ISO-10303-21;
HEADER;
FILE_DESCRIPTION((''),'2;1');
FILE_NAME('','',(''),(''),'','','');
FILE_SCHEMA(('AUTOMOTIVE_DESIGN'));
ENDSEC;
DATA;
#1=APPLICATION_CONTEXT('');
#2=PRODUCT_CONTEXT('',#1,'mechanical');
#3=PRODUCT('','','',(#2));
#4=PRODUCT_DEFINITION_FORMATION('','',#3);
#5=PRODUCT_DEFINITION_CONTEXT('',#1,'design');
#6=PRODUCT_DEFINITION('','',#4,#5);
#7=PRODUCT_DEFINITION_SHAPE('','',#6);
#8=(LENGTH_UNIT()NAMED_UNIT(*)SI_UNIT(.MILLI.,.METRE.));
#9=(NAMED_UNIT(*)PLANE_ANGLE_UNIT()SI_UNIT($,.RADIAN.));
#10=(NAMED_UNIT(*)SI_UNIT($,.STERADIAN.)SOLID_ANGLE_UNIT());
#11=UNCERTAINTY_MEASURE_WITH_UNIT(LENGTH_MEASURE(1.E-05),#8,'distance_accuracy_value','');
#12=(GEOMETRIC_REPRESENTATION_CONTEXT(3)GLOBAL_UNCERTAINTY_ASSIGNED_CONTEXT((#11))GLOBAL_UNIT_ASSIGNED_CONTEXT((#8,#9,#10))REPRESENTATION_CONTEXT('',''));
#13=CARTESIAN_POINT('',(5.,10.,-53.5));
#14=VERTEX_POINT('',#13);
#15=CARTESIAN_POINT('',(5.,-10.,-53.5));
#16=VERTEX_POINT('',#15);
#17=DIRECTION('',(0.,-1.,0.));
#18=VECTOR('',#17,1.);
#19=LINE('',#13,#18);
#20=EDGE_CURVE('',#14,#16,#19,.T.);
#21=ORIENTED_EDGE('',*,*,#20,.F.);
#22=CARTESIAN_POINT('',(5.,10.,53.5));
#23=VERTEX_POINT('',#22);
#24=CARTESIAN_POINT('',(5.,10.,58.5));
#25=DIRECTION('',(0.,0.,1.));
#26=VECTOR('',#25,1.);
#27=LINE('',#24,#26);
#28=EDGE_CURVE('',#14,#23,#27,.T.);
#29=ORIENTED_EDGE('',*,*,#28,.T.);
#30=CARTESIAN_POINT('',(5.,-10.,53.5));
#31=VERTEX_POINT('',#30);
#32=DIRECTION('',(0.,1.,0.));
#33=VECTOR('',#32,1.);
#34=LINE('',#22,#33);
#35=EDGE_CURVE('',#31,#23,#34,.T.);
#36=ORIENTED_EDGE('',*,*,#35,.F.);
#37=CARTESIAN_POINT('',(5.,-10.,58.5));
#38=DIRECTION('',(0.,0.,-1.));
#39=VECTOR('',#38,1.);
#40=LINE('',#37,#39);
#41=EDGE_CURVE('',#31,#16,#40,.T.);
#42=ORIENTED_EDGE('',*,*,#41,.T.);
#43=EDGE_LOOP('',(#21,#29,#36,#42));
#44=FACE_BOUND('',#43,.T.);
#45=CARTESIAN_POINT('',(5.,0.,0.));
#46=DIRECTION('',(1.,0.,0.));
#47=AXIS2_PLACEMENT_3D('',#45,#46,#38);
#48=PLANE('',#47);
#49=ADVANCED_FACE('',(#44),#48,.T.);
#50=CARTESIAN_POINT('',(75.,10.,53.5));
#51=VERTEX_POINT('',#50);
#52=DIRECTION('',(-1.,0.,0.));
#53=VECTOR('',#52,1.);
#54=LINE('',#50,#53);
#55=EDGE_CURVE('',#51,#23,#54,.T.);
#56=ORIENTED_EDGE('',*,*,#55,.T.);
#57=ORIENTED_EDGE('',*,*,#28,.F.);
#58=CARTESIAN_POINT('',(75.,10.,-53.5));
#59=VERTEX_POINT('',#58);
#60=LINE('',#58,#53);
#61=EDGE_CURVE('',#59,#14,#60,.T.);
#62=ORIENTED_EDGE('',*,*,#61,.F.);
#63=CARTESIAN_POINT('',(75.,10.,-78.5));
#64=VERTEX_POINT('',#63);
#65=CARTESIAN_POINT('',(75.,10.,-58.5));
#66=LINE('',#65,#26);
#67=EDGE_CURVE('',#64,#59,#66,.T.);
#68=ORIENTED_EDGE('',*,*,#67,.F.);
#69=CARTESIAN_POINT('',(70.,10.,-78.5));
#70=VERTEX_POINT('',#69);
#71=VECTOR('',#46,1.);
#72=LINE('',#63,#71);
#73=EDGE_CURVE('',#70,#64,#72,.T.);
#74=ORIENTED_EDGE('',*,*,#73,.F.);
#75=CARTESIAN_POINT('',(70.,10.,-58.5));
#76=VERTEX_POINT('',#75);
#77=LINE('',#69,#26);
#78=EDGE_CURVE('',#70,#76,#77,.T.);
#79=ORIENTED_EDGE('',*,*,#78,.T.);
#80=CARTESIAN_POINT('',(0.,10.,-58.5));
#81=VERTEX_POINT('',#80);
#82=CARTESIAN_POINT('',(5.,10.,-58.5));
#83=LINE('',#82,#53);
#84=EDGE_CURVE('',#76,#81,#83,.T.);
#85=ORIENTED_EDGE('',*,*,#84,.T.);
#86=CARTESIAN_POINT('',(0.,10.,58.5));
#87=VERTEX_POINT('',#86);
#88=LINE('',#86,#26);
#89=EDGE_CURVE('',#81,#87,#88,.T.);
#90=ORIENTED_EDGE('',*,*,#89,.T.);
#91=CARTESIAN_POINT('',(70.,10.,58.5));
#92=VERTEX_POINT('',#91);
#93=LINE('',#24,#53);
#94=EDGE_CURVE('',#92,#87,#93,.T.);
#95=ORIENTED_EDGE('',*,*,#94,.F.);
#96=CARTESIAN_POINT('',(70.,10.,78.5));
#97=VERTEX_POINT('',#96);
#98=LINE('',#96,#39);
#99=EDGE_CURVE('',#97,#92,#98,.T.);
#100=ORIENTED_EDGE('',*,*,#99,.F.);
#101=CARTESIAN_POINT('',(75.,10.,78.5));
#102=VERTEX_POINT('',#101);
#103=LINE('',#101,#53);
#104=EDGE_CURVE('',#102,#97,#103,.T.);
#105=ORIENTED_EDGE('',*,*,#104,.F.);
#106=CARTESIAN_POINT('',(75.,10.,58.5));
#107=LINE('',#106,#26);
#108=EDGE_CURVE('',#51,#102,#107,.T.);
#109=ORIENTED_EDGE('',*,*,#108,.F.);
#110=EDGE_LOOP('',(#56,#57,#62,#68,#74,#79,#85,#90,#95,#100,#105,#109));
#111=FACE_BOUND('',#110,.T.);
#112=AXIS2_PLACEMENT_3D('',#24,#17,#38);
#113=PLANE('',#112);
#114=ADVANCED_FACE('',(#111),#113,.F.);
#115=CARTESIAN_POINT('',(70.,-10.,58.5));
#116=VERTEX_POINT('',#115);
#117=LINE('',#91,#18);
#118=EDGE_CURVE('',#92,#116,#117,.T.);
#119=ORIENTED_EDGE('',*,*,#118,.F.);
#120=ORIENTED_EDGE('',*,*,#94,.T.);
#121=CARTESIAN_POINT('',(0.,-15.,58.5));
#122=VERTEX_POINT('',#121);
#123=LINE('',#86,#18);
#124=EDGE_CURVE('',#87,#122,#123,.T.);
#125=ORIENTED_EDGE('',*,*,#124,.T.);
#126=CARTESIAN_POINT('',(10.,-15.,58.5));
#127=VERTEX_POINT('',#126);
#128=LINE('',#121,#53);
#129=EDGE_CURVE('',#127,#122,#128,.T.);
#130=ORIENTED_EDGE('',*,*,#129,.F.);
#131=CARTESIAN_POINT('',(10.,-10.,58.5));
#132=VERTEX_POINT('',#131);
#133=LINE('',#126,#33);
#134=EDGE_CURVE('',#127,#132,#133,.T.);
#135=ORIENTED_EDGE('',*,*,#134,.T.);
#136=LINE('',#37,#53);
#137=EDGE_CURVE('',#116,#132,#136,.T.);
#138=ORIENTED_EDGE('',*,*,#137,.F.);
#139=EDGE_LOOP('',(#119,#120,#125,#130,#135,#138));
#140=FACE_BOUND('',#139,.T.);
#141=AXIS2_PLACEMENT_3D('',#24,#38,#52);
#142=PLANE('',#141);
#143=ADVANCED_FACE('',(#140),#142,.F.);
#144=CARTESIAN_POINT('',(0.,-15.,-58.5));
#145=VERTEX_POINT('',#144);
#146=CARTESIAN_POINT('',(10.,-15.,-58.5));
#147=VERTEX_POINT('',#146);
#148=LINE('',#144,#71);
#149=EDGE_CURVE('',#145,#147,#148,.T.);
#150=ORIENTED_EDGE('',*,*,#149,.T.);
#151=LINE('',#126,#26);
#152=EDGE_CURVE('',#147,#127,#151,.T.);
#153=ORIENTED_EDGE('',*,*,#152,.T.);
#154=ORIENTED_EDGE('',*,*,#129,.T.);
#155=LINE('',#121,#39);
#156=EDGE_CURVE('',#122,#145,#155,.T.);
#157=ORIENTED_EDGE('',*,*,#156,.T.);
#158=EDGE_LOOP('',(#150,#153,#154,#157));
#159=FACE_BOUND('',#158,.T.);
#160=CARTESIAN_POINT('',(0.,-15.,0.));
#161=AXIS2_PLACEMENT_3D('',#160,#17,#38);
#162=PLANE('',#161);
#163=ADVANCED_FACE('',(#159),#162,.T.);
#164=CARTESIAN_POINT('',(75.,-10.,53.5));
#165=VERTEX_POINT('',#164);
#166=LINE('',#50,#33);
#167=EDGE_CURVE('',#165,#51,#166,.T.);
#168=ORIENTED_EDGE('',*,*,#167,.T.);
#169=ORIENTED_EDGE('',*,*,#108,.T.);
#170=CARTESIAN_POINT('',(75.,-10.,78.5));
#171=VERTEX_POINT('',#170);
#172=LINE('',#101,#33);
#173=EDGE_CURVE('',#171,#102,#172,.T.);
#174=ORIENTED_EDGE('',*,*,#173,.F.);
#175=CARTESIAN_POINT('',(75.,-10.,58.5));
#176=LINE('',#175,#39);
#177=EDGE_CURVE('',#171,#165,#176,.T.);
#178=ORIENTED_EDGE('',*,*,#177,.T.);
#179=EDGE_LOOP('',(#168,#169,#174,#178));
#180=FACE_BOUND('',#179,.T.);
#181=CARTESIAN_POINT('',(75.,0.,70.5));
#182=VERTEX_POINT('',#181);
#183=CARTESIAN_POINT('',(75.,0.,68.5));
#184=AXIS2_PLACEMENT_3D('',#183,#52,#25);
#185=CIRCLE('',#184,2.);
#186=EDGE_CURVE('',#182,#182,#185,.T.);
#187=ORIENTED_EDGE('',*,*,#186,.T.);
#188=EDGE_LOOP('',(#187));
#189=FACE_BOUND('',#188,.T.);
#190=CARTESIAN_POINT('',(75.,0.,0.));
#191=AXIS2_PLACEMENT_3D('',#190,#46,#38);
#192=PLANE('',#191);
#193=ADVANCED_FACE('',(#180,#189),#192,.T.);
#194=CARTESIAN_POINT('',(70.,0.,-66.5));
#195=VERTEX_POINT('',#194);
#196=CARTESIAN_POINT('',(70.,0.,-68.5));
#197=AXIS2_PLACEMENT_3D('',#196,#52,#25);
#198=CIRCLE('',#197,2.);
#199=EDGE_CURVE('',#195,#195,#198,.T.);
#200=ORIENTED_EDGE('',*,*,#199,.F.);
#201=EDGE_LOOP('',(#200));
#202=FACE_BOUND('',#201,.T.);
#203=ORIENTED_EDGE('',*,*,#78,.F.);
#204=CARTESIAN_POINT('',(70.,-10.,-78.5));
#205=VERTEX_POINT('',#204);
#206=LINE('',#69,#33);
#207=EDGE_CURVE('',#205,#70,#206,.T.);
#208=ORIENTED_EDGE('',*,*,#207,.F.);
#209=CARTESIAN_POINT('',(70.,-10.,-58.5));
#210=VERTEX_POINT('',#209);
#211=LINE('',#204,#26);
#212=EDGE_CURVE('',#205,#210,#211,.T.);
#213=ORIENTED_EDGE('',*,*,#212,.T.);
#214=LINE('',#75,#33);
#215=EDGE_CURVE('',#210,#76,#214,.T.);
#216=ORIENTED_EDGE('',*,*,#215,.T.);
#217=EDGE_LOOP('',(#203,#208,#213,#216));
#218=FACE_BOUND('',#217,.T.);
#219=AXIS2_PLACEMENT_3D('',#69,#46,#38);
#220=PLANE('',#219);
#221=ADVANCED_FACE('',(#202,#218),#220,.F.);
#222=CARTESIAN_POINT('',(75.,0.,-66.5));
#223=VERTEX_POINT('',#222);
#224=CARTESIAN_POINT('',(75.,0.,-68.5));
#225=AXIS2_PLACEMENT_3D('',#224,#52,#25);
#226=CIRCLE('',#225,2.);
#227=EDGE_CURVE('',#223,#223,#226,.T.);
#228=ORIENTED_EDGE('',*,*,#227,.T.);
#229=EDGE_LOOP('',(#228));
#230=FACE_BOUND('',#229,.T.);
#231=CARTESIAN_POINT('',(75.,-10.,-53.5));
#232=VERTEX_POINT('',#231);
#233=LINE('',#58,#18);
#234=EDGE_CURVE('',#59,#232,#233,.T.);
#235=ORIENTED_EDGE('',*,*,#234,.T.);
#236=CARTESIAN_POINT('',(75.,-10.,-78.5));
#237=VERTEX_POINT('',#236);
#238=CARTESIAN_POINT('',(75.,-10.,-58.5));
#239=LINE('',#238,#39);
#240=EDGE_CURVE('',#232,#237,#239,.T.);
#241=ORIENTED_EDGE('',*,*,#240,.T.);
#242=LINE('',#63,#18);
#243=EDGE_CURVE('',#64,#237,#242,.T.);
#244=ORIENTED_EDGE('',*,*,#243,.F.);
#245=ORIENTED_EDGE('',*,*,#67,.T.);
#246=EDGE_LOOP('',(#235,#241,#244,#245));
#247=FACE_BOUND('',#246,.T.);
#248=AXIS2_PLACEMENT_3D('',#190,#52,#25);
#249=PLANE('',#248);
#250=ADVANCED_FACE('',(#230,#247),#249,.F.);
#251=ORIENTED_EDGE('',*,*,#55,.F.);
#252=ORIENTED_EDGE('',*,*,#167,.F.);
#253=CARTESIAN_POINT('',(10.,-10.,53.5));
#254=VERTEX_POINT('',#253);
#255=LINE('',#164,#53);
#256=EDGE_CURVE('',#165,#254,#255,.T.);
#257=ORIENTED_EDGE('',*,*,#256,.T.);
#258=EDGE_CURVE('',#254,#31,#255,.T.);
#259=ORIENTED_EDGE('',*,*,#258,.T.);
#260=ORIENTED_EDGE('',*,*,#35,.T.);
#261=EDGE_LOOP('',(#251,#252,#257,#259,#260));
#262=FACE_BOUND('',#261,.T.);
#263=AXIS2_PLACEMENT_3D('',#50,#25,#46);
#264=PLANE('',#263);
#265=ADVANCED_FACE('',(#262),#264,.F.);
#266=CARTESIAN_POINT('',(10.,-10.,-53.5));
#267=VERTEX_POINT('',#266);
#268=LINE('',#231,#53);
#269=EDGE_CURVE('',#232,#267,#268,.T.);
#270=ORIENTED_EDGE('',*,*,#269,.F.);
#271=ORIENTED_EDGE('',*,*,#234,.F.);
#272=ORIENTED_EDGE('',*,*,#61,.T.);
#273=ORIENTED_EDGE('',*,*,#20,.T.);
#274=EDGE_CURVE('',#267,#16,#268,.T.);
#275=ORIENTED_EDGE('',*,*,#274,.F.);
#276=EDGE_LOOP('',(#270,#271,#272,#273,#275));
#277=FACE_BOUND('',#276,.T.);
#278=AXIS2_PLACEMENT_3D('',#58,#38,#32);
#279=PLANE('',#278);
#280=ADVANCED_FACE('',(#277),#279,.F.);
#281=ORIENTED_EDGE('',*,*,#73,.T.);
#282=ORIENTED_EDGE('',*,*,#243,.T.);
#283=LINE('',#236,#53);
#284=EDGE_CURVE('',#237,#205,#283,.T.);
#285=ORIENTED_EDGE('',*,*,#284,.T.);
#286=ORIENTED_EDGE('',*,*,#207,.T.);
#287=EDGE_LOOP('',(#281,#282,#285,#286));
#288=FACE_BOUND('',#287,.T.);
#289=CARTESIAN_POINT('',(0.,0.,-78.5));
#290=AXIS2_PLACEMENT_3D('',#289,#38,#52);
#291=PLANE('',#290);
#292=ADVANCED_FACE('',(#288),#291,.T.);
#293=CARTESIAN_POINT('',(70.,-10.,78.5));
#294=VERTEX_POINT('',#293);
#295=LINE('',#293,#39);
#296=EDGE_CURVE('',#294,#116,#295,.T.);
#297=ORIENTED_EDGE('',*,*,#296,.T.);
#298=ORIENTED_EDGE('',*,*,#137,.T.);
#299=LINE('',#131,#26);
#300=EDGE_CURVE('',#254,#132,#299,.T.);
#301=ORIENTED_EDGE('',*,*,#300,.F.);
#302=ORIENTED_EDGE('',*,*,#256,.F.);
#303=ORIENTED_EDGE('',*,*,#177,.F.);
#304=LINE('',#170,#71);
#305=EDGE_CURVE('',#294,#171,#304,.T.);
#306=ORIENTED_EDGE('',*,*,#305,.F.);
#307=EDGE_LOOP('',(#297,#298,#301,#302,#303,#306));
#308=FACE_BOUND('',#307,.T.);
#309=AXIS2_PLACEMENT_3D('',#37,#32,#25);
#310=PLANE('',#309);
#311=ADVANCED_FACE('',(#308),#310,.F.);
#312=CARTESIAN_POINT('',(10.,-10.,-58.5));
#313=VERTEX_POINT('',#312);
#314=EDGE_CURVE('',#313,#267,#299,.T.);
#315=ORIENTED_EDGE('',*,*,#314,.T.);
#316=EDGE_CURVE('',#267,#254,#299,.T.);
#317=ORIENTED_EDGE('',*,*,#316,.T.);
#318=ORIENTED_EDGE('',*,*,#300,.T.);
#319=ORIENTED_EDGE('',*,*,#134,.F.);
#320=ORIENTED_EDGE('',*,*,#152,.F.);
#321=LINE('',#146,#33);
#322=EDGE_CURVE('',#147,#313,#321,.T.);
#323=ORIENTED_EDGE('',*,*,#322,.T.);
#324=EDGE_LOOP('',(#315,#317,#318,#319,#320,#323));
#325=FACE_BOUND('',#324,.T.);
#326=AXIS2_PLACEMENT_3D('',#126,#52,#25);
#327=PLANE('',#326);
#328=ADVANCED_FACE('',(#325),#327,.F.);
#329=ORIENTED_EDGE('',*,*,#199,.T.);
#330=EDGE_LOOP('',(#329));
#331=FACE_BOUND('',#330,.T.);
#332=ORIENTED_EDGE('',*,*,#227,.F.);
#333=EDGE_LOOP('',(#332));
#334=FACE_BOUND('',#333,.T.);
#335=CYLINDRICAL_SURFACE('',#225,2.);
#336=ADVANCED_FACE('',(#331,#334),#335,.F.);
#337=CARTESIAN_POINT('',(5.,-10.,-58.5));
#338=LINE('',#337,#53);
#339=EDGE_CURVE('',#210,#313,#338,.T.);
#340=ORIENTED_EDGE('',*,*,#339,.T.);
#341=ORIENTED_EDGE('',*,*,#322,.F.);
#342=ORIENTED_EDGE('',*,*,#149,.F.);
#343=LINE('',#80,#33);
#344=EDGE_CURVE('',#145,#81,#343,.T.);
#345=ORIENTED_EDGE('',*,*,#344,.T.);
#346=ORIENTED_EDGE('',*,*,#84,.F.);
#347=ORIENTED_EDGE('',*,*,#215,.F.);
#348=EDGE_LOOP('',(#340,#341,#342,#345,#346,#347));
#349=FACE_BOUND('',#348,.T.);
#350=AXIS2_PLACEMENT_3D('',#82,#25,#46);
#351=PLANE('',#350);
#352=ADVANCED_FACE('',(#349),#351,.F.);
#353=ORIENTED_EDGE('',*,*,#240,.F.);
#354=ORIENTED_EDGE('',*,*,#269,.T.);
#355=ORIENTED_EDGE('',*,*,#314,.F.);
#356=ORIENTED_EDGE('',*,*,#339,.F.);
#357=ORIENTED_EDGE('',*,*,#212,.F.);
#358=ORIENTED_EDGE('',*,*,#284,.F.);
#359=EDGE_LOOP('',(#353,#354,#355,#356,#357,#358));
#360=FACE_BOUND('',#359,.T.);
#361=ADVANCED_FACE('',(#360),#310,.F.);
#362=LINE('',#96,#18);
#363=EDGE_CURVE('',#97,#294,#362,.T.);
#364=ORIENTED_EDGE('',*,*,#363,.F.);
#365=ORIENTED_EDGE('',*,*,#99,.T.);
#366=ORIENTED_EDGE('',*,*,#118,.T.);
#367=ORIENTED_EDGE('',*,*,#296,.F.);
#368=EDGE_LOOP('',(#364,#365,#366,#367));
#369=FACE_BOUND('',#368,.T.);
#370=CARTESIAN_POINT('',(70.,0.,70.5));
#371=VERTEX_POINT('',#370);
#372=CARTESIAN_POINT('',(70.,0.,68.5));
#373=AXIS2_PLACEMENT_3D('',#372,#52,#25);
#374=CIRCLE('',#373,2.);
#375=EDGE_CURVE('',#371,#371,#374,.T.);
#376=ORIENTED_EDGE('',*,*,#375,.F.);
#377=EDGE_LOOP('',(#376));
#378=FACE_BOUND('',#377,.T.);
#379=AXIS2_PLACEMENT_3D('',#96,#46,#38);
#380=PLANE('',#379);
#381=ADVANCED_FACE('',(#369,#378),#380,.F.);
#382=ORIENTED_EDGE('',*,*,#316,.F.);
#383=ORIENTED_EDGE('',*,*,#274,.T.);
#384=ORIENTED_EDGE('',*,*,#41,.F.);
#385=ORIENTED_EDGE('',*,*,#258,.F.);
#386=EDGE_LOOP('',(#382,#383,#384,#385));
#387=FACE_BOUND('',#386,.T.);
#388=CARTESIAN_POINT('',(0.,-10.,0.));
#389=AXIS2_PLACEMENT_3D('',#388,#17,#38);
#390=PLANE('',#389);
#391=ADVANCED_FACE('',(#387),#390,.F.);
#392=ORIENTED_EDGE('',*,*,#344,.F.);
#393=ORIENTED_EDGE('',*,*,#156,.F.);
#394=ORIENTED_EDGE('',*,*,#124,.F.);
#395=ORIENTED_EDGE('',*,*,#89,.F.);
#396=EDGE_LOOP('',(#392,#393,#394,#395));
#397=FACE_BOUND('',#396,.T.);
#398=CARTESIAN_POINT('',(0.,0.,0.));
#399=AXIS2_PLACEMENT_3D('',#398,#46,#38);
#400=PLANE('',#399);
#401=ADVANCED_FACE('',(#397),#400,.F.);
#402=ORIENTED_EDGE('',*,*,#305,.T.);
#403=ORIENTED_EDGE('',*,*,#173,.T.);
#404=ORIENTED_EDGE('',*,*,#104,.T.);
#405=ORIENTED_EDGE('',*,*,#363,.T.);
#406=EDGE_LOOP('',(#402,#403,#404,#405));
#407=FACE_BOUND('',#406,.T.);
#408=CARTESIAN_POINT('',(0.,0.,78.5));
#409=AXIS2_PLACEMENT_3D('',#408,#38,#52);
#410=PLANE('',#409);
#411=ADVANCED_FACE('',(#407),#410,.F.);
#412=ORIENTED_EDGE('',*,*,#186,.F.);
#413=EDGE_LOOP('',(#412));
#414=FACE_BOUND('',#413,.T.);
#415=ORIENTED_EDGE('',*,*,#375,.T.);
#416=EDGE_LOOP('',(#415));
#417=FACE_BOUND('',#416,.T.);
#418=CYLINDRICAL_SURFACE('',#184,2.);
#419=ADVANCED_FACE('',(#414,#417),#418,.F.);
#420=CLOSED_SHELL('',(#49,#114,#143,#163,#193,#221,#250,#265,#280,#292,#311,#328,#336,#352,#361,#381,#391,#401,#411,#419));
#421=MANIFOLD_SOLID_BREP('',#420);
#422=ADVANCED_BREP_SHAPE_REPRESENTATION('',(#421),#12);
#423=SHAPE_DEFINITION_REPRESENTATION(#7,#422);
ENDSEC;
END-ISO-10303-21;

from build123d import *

# Parameters (mm, degrees)
SKETCH1_W           = 117
SKETCH1_H           = 20
BOSS_EXTRUDE1_DEPTH = 5
SKETCH2_W           = 5
SKETCH2_H           = 20
BOSS_EXTRUDE2_DEPTH = 70
SKETCH3_W           = 10
SKETCH3_H           = 117
BOSS_EXTRUDE3_DEPTH = 5
SKETCH4_W           = 5
SKETCH4_H           = 20
BOSS_EXTRUDE4_DEPTH = 20
SKETCH5_W           = 5
SKETCH5_H           = 20
BOSS_EXTRUDE5_DEPTH = 20
SKETCH6_R           = 2
CUT_EXTRUDE1_DEPTH  = 5


with BuildPart() as part:
    # Sketch1 → Boss-Extrude1 (new body)
    with BuildSketch(Plane(origin=(0, 0, 0), x_dir=(0, 0, -1), z_dir=(1, 0, 0))):
        Rectangle(SKETCH1_W, SKETCH1_H)
    extrude(amount=BOSS_EXTRUDE1_DEPTH)

    # Sketch2 → Boss-Extrude2 (add)
    with BuildSketch(Plane(origin=(5, 0, 0), x_dir=(0, 0, -1), z_dir=(1, 0, 0))):
        with Locations((-56, 0)):
            Rectangle(SKETCH2_W, SKETCH2_H)
        with Locations((56, 0)):
            Rectangle(SKETCH2_W, SKETCH2_H)
    extrude(amount=BOSS_EXTRUDE2_DEPTH)

    # Sketch3 → Boss-Extrude3 (add)
    with BuildSketch(Plane.XZ.offset(10)):
        with Locations((5, 0)):
            Rectangle(SKETCH3_W, SKETCH3_H)
    extrude(amount=BOSS_EXTRUDE3_DEPTH)

    # Sketch4 → Boss-Extrude4 (add)
    with BuildSketch(Plane.XY.offset(58.5)):
        with Locations((72.5, 0)):
            Rectangle(SKETCH4_W, SKETCH4_H)
    extrude(amount=BOSS_EXTRUDE4_DEPTH)

    # Sketch5 → Boss-Extrude5 (add)
    with BuildSketch(Plane(origin=(0, 0, -58.5), x_dir=(-1, 0, 0), z_dir=(0, 0, -1))):
        with Locations((-72.5, 0)):
            Rectangle(SKETCH5_W, SKETCH5_H)
    extrude(amount=BOSS_EXTRUDE5_DEPTH)

    # Sketch6 → Cut-Extrude1 (cut)
    with BuildSketch(Plane.ZY.offset(-70)):
        with Locations((-68.5, 0)):
            Circle(SKETCH6_R)
        with Locations((68.5, 0)):
            Circle(SKETCH6_R)
    extrude(amount=-CUT_EXTRUDE1_DEPTH, mode=Mode.SUBTRACT)


solid = part.part
